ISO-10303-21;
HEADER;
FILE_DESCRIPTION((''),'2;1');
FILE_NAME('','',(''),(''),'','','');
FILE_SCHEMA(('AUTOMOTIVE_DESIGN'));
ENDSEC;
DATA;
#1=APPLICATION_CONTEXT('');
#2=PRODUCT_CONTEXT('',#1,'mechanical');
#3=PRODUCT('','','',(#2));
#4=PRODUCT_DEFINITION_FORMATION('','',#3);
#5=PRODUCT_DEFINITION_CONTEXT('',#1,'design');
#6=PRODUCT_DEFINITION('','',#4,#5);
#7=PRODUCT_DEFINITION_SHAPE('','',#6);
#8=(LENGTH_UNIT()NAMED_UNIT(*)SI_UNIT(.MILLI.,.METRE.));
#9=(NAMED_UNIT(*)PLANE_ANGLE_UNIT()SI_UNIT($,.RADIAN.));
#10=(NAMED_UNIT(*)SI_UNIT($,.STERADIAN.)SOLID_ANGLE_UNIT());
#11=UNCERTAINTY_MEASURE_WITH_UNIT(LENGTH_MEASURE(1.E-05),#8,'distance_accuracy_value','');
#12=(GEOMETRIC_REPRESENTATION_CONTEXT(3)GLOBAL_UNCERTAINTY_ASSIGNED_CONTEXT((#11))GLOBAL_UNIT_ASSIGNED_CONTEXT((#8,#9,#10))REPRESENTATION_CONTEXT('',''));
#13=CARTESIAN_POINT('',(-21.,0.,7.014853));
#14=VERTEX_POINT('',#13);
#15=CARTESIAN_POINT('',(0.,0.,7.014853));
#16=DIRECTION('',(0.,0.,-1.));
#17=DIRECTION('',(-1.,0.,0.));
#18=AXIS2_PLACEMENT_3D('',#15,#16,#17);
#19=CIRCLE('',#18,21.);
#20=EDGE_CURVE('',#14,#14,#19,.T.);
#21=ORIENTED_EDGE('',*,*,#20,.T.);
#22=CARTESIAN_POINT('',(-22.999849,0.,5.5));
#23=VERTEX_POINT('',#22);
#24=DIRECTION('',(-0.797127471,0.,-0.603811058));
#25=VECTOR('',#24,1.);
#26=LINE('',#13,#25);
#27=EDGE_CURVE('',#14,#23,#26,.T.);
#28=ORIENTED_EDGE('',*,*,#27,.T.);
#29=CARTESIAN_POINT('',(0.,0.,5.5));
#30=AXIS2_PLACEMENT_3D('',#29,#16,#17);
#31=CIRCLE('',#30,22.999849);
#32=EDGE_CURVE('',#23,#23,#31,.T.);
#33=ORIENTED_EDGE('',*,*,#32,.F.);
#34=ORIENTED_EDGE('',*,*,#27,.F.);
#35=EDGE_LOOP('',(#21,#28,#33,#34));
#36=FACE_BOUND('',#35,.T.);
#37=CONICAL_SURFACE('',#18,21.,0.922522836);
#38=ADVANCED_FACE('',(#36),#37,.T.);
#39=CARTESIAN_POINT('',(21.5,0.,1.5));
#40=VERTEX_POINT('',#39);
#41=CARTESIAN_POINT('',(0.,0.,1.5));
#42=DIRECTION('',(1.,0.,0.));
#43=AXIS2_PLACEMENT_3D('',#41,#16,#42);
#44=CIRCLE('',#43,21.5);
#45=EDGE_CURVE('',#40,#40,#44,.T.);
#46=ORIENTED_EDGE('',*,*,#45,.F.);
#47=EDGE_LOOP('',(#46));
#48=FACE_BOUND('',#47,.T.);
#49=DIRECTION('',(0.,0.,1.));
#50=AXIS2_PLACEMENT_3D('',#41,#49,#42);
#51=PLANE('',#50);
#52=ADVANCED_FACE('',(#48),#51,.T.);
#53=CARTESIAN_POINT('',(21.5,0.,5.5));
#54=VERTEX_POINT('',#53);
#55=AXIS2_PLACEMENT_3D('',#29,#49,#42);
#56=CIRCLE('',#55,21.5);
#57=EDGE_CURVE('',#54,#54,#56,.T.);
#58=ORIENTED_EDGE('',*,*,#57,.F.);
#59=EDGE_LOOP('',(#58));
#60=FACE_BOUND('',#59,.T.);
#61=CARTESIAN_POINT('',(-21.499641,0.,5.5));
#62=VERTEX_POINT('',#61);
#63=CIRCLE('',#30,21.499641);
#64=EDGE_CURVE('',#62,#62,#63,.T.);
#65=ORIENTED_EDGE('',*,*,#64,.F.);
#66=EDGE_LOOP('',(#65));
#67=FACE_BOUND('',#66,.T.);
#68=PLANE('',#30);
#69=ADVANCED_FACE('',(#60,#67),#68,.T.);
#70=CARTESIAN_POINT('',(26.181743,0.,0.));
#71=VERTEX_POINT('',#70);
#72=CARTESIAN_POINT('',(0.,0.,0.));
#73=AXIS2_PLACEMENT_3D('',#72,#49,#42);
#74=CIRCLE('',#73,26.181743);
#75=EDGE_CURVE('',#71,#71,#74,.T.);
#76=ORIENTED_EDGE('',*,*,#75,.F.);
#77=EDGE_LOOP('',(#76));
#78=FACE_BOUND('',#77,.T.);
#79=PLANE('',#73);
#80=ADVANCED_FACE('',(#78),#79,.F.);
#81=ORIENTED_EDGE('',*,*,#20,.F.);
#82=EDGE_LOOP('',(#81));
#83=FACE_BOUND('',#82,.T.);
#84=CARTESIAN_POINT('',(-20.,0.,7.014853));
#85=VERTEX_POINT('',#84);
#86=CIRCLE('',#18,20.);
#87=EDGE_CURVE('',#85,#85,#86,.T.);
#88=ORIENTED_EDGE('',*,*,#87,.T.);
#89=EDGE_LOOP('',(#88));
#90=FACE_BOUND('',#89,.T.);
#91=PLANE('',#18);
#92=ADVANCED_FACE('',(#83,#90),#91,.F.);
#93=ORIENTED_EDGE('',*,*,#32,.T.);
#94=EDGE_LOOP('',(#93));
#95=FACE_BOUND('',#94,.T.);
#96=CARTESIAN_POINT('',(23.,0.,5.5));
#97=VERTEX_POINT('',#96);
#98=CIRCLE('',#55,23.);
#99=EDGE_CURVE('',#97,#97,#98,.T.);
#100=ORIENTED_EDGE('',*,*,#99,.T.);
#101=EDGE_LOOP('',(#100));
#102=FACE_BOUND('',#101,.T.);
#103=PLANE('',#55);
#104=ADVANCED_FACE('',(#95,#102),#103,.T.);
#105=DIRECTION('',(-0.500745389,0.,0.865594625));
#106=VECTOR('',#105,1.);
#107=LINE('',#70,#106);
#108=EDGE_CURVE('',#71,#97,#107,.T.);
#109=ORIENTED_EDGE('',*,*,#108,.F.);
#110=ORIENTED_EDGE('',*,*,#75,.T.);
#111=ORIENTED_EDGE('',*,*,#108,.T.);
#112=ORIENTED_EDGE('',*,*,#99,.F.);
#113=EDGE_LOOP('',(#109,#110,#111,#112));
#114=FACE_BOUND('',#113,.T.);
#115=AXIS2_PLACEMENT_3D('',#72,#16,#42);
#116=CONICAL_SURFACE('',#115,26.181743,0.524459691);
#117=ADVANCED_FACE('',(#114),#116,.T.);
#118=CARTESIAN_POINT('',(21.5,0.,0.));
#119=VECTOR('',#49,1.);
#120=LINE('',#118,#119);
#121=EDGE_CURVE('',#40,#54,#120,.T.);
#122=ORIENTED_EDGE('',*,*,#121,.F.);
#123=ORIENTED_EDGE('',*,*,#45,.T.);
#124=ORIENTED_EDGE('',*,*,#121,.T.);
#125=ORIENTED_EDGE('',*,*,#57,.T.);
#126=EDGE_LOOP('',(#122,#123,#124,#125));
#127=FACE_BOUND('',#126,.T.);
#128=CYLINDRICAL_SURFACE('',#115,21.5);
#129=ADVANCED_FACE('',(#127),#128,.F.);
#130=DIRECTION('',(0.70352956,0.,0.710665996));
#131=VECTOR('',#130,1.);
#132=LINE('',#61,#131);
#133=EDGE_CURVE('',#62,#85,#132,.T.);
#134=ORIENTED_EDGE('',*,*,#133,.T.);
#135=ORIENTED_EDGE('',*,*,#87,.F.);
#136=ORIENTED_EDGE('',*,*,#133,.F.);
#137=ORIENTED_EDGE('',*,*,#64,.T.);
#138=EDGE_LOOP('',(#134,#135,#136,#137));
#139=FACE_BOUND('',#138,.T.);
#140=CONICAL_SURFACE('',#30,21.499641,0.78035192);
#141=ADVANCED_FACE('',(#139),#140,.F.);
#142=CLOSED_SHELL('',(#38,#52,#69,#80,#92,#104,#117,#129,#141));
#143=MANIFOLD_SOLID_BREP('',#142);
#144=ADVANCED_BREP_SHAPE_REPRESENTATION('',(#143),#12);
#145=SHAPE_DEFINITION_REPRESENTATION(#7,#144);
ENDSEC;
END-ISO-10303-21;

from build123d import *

# Parameters (mm, degrees)
F0_R     = 23
F1_DEPTH = 5.5
F2_T     = -1.5


with BuildPart() as f1:
    # F0 (on Top) → F1 (new body)
    with BuildSketch(Plane.XY):
        Circle(F0_R)
    extrude(amount=F1_DEPTH)

    # F2
    f2_openings = [f1.faces().sort_by_distance(p)[0] for p in [
        (0, 0, 5.5),
    ]]
    offset(amount=F2_T, openings=f2_openings)

    # F3 (on Front) → F4 (revolve)
    with BuildSketch(Plane.XZ):
        Polygon((26.181743, 0), (23, 5.5), (23, 0), align=None)
    revolve(axis=Axis((0, 0, 13.063222), (0, 0, 1)))

    # F5 (on Front) → F6 (revolve)
    with BuildSketch(Plane.XZ):
        Polygon((-21.499641, 5.5), (-20, 7.014853), (-21, 7.014853), (-22.999849, 5.5), align=None)
    revolve(axis=Axis((0, 0, 13.958684), (0, 0, -1)))


solid = f1.part
